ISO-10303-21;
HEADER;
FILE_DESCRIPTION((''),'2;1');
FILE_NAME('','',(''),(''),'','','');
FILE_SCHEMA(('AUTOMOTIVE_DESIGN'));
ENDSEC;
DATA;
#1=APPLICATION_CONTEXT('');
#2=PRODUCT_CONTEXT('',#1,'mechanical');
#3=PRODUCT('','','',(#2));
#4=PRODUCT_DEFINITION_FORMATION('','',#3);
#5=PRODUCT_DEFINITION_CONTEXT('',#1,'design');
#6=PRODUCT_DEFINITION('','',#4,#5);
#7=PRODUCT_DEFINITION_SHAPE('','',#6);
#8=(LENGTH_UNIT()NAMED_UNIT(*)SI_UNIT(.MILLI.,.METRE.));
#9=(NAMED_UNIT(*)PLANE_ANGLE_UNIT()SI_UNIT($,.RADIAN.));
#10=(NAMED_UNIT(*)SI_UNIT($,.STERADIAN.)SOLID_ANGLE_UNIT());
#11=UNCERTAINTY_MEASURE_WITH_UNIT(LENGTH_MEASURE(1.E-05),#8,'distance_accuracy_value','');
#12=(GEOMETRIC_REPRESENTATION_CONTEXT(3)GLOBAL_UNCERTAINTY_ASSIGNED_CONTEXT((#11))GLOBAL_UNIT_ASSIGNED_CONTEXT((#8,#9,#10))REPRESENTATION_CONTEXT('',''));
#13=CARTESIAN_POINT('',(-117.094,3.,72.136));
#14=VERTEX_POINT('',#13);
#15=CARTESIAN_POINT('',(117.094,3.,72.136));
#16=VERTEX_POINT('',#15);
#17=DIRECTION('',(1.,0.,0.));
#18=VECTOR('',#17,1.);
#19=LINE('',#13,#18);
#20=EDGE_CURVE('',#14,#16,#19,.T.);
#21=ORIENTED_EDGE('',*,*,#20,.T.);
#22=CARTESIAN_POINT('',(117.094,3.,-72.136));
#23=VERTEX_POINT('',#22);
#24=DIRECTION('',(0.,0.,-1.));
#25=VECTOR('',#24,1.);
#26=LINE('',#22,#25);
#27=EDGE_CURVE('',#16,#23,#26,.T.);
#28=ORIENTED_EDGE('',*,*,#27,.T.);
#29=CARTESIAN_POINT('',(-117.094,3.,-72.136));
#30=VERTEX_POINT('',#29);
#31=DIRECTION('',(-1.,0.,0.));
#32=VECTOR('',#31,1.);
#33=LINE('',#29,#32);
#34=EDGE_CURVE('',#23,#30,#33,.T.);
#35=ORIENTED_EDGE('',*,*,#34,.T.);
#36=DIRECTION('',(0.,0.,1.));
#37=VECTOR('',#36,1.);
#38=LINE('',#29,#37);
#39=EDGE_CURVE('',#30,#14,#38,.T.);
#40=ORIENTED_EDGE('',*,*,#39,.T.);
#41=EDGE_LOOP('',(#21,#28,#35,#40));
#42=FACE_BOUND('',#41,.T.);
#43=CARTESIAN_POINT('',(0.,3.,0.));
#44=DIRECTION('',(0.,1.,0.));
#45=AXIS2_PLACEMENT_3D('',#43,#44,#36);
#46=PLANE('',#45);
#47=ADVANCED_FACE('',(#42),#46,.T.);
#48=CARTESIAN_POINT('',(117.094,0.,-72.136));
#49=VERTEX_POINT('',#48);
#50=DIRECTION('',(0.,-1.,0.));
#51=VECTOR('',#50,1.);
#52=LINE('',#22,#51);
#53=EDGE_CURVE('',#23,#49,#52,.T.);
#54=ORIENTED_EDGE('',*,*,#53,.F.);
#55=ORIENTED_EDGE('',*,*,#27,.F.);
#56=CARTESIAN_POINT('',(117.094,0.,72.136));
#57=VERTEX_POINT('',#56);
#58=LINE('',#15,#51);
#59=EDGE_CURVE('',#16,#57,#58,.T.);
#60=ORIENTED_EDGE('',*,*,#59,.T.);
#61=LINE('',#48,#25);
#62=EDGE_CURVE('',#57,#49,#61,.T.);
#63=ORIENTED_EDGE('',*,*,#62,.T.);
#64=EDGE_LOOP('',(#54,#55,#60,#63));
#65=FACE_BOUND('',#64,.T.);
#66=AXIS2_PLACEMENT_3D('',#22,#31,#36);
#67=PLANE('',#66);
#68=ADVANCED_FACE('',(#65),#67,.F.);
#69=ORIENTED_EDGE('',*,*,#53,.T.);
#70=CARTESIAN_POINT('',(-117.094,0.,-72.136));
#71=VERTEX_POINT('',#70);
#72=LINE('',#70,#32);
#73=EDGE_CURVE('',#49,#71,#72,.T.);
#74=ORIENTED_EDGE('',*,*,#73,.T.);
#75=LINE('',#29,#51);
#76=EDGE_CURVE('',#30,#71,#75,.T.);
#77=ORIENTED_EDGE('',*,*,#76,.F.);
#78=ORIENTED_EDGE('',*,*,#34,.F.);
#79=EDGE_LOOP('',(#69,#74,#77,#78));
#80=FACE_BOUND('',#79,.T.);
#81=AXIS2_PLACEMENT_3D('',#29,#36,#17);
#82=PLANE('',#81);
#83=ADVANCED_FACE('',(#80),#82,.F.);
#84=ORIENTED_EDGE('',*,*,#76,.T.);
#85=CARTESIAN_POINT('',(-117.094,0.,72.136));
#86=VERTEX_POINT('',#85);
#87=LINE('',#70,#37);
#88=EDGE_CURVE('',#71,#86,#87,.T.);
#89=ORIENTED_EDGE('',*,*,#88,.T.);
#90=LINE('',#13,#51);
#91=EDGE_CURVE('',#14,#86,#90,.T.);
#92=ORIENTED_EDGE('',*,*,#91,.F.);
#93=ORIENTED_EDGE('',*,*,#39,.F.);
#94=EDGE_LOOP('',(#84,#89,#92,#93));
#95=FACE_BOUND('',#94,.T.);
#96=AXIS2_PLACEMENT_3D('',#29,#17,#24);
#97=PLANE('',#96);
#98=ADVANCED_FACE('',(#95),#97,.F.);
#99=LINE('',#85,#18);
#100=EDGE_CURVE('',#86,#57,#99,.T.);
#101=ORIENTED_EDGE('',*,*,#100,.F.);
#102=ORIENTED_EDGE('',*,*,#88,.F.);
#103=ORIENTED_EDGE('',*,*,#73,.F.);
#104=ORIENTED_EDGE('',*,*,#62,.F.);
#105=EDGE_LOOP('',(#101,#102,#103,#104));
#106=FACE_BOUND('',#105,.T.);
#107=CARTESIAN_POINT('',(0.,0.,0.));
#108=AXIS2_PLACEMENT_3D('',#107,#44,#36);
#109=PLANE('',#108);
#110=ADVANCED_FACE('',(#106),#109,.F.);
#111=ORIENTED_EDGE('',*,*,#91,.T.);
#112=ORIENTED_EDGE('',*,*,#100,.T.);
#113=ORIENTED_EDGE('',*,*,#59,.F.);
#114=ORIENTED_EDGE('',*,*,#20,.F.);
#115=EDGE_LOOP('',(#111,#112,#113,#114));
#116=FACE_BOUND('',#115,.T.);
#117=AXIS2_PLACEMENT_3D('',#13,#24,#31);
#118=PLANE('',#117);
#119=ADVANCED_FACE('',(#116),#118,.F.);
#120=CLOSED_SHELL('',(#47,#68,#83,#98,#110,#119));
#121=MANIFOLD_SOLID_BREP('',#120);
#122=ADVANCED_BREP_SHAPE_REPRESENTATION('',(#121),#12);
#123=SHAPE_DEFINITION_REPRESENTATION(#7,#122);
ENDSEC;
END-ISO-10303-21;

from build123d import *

# Parameters (mm, degrees)
SKETCH1_W           = 234.188
SKETCH1_H           = 144.272
BOSS_EXTRUDE1_DEPTH = 3


with BuildPart() as part:
    # Sketch1 → Boss-Extrude1 (new body)
    with BuildSketch(Plane(origin=(0, 0, 0), x_dir=(1, 0, 0), z_dir=(0, 1, 0))):
        Rectangle(SKETCH1_W, SKETCH1_H)
    extrude(amount=BOSS_EXTRUDE1_DEPTH)


solid = part.part
